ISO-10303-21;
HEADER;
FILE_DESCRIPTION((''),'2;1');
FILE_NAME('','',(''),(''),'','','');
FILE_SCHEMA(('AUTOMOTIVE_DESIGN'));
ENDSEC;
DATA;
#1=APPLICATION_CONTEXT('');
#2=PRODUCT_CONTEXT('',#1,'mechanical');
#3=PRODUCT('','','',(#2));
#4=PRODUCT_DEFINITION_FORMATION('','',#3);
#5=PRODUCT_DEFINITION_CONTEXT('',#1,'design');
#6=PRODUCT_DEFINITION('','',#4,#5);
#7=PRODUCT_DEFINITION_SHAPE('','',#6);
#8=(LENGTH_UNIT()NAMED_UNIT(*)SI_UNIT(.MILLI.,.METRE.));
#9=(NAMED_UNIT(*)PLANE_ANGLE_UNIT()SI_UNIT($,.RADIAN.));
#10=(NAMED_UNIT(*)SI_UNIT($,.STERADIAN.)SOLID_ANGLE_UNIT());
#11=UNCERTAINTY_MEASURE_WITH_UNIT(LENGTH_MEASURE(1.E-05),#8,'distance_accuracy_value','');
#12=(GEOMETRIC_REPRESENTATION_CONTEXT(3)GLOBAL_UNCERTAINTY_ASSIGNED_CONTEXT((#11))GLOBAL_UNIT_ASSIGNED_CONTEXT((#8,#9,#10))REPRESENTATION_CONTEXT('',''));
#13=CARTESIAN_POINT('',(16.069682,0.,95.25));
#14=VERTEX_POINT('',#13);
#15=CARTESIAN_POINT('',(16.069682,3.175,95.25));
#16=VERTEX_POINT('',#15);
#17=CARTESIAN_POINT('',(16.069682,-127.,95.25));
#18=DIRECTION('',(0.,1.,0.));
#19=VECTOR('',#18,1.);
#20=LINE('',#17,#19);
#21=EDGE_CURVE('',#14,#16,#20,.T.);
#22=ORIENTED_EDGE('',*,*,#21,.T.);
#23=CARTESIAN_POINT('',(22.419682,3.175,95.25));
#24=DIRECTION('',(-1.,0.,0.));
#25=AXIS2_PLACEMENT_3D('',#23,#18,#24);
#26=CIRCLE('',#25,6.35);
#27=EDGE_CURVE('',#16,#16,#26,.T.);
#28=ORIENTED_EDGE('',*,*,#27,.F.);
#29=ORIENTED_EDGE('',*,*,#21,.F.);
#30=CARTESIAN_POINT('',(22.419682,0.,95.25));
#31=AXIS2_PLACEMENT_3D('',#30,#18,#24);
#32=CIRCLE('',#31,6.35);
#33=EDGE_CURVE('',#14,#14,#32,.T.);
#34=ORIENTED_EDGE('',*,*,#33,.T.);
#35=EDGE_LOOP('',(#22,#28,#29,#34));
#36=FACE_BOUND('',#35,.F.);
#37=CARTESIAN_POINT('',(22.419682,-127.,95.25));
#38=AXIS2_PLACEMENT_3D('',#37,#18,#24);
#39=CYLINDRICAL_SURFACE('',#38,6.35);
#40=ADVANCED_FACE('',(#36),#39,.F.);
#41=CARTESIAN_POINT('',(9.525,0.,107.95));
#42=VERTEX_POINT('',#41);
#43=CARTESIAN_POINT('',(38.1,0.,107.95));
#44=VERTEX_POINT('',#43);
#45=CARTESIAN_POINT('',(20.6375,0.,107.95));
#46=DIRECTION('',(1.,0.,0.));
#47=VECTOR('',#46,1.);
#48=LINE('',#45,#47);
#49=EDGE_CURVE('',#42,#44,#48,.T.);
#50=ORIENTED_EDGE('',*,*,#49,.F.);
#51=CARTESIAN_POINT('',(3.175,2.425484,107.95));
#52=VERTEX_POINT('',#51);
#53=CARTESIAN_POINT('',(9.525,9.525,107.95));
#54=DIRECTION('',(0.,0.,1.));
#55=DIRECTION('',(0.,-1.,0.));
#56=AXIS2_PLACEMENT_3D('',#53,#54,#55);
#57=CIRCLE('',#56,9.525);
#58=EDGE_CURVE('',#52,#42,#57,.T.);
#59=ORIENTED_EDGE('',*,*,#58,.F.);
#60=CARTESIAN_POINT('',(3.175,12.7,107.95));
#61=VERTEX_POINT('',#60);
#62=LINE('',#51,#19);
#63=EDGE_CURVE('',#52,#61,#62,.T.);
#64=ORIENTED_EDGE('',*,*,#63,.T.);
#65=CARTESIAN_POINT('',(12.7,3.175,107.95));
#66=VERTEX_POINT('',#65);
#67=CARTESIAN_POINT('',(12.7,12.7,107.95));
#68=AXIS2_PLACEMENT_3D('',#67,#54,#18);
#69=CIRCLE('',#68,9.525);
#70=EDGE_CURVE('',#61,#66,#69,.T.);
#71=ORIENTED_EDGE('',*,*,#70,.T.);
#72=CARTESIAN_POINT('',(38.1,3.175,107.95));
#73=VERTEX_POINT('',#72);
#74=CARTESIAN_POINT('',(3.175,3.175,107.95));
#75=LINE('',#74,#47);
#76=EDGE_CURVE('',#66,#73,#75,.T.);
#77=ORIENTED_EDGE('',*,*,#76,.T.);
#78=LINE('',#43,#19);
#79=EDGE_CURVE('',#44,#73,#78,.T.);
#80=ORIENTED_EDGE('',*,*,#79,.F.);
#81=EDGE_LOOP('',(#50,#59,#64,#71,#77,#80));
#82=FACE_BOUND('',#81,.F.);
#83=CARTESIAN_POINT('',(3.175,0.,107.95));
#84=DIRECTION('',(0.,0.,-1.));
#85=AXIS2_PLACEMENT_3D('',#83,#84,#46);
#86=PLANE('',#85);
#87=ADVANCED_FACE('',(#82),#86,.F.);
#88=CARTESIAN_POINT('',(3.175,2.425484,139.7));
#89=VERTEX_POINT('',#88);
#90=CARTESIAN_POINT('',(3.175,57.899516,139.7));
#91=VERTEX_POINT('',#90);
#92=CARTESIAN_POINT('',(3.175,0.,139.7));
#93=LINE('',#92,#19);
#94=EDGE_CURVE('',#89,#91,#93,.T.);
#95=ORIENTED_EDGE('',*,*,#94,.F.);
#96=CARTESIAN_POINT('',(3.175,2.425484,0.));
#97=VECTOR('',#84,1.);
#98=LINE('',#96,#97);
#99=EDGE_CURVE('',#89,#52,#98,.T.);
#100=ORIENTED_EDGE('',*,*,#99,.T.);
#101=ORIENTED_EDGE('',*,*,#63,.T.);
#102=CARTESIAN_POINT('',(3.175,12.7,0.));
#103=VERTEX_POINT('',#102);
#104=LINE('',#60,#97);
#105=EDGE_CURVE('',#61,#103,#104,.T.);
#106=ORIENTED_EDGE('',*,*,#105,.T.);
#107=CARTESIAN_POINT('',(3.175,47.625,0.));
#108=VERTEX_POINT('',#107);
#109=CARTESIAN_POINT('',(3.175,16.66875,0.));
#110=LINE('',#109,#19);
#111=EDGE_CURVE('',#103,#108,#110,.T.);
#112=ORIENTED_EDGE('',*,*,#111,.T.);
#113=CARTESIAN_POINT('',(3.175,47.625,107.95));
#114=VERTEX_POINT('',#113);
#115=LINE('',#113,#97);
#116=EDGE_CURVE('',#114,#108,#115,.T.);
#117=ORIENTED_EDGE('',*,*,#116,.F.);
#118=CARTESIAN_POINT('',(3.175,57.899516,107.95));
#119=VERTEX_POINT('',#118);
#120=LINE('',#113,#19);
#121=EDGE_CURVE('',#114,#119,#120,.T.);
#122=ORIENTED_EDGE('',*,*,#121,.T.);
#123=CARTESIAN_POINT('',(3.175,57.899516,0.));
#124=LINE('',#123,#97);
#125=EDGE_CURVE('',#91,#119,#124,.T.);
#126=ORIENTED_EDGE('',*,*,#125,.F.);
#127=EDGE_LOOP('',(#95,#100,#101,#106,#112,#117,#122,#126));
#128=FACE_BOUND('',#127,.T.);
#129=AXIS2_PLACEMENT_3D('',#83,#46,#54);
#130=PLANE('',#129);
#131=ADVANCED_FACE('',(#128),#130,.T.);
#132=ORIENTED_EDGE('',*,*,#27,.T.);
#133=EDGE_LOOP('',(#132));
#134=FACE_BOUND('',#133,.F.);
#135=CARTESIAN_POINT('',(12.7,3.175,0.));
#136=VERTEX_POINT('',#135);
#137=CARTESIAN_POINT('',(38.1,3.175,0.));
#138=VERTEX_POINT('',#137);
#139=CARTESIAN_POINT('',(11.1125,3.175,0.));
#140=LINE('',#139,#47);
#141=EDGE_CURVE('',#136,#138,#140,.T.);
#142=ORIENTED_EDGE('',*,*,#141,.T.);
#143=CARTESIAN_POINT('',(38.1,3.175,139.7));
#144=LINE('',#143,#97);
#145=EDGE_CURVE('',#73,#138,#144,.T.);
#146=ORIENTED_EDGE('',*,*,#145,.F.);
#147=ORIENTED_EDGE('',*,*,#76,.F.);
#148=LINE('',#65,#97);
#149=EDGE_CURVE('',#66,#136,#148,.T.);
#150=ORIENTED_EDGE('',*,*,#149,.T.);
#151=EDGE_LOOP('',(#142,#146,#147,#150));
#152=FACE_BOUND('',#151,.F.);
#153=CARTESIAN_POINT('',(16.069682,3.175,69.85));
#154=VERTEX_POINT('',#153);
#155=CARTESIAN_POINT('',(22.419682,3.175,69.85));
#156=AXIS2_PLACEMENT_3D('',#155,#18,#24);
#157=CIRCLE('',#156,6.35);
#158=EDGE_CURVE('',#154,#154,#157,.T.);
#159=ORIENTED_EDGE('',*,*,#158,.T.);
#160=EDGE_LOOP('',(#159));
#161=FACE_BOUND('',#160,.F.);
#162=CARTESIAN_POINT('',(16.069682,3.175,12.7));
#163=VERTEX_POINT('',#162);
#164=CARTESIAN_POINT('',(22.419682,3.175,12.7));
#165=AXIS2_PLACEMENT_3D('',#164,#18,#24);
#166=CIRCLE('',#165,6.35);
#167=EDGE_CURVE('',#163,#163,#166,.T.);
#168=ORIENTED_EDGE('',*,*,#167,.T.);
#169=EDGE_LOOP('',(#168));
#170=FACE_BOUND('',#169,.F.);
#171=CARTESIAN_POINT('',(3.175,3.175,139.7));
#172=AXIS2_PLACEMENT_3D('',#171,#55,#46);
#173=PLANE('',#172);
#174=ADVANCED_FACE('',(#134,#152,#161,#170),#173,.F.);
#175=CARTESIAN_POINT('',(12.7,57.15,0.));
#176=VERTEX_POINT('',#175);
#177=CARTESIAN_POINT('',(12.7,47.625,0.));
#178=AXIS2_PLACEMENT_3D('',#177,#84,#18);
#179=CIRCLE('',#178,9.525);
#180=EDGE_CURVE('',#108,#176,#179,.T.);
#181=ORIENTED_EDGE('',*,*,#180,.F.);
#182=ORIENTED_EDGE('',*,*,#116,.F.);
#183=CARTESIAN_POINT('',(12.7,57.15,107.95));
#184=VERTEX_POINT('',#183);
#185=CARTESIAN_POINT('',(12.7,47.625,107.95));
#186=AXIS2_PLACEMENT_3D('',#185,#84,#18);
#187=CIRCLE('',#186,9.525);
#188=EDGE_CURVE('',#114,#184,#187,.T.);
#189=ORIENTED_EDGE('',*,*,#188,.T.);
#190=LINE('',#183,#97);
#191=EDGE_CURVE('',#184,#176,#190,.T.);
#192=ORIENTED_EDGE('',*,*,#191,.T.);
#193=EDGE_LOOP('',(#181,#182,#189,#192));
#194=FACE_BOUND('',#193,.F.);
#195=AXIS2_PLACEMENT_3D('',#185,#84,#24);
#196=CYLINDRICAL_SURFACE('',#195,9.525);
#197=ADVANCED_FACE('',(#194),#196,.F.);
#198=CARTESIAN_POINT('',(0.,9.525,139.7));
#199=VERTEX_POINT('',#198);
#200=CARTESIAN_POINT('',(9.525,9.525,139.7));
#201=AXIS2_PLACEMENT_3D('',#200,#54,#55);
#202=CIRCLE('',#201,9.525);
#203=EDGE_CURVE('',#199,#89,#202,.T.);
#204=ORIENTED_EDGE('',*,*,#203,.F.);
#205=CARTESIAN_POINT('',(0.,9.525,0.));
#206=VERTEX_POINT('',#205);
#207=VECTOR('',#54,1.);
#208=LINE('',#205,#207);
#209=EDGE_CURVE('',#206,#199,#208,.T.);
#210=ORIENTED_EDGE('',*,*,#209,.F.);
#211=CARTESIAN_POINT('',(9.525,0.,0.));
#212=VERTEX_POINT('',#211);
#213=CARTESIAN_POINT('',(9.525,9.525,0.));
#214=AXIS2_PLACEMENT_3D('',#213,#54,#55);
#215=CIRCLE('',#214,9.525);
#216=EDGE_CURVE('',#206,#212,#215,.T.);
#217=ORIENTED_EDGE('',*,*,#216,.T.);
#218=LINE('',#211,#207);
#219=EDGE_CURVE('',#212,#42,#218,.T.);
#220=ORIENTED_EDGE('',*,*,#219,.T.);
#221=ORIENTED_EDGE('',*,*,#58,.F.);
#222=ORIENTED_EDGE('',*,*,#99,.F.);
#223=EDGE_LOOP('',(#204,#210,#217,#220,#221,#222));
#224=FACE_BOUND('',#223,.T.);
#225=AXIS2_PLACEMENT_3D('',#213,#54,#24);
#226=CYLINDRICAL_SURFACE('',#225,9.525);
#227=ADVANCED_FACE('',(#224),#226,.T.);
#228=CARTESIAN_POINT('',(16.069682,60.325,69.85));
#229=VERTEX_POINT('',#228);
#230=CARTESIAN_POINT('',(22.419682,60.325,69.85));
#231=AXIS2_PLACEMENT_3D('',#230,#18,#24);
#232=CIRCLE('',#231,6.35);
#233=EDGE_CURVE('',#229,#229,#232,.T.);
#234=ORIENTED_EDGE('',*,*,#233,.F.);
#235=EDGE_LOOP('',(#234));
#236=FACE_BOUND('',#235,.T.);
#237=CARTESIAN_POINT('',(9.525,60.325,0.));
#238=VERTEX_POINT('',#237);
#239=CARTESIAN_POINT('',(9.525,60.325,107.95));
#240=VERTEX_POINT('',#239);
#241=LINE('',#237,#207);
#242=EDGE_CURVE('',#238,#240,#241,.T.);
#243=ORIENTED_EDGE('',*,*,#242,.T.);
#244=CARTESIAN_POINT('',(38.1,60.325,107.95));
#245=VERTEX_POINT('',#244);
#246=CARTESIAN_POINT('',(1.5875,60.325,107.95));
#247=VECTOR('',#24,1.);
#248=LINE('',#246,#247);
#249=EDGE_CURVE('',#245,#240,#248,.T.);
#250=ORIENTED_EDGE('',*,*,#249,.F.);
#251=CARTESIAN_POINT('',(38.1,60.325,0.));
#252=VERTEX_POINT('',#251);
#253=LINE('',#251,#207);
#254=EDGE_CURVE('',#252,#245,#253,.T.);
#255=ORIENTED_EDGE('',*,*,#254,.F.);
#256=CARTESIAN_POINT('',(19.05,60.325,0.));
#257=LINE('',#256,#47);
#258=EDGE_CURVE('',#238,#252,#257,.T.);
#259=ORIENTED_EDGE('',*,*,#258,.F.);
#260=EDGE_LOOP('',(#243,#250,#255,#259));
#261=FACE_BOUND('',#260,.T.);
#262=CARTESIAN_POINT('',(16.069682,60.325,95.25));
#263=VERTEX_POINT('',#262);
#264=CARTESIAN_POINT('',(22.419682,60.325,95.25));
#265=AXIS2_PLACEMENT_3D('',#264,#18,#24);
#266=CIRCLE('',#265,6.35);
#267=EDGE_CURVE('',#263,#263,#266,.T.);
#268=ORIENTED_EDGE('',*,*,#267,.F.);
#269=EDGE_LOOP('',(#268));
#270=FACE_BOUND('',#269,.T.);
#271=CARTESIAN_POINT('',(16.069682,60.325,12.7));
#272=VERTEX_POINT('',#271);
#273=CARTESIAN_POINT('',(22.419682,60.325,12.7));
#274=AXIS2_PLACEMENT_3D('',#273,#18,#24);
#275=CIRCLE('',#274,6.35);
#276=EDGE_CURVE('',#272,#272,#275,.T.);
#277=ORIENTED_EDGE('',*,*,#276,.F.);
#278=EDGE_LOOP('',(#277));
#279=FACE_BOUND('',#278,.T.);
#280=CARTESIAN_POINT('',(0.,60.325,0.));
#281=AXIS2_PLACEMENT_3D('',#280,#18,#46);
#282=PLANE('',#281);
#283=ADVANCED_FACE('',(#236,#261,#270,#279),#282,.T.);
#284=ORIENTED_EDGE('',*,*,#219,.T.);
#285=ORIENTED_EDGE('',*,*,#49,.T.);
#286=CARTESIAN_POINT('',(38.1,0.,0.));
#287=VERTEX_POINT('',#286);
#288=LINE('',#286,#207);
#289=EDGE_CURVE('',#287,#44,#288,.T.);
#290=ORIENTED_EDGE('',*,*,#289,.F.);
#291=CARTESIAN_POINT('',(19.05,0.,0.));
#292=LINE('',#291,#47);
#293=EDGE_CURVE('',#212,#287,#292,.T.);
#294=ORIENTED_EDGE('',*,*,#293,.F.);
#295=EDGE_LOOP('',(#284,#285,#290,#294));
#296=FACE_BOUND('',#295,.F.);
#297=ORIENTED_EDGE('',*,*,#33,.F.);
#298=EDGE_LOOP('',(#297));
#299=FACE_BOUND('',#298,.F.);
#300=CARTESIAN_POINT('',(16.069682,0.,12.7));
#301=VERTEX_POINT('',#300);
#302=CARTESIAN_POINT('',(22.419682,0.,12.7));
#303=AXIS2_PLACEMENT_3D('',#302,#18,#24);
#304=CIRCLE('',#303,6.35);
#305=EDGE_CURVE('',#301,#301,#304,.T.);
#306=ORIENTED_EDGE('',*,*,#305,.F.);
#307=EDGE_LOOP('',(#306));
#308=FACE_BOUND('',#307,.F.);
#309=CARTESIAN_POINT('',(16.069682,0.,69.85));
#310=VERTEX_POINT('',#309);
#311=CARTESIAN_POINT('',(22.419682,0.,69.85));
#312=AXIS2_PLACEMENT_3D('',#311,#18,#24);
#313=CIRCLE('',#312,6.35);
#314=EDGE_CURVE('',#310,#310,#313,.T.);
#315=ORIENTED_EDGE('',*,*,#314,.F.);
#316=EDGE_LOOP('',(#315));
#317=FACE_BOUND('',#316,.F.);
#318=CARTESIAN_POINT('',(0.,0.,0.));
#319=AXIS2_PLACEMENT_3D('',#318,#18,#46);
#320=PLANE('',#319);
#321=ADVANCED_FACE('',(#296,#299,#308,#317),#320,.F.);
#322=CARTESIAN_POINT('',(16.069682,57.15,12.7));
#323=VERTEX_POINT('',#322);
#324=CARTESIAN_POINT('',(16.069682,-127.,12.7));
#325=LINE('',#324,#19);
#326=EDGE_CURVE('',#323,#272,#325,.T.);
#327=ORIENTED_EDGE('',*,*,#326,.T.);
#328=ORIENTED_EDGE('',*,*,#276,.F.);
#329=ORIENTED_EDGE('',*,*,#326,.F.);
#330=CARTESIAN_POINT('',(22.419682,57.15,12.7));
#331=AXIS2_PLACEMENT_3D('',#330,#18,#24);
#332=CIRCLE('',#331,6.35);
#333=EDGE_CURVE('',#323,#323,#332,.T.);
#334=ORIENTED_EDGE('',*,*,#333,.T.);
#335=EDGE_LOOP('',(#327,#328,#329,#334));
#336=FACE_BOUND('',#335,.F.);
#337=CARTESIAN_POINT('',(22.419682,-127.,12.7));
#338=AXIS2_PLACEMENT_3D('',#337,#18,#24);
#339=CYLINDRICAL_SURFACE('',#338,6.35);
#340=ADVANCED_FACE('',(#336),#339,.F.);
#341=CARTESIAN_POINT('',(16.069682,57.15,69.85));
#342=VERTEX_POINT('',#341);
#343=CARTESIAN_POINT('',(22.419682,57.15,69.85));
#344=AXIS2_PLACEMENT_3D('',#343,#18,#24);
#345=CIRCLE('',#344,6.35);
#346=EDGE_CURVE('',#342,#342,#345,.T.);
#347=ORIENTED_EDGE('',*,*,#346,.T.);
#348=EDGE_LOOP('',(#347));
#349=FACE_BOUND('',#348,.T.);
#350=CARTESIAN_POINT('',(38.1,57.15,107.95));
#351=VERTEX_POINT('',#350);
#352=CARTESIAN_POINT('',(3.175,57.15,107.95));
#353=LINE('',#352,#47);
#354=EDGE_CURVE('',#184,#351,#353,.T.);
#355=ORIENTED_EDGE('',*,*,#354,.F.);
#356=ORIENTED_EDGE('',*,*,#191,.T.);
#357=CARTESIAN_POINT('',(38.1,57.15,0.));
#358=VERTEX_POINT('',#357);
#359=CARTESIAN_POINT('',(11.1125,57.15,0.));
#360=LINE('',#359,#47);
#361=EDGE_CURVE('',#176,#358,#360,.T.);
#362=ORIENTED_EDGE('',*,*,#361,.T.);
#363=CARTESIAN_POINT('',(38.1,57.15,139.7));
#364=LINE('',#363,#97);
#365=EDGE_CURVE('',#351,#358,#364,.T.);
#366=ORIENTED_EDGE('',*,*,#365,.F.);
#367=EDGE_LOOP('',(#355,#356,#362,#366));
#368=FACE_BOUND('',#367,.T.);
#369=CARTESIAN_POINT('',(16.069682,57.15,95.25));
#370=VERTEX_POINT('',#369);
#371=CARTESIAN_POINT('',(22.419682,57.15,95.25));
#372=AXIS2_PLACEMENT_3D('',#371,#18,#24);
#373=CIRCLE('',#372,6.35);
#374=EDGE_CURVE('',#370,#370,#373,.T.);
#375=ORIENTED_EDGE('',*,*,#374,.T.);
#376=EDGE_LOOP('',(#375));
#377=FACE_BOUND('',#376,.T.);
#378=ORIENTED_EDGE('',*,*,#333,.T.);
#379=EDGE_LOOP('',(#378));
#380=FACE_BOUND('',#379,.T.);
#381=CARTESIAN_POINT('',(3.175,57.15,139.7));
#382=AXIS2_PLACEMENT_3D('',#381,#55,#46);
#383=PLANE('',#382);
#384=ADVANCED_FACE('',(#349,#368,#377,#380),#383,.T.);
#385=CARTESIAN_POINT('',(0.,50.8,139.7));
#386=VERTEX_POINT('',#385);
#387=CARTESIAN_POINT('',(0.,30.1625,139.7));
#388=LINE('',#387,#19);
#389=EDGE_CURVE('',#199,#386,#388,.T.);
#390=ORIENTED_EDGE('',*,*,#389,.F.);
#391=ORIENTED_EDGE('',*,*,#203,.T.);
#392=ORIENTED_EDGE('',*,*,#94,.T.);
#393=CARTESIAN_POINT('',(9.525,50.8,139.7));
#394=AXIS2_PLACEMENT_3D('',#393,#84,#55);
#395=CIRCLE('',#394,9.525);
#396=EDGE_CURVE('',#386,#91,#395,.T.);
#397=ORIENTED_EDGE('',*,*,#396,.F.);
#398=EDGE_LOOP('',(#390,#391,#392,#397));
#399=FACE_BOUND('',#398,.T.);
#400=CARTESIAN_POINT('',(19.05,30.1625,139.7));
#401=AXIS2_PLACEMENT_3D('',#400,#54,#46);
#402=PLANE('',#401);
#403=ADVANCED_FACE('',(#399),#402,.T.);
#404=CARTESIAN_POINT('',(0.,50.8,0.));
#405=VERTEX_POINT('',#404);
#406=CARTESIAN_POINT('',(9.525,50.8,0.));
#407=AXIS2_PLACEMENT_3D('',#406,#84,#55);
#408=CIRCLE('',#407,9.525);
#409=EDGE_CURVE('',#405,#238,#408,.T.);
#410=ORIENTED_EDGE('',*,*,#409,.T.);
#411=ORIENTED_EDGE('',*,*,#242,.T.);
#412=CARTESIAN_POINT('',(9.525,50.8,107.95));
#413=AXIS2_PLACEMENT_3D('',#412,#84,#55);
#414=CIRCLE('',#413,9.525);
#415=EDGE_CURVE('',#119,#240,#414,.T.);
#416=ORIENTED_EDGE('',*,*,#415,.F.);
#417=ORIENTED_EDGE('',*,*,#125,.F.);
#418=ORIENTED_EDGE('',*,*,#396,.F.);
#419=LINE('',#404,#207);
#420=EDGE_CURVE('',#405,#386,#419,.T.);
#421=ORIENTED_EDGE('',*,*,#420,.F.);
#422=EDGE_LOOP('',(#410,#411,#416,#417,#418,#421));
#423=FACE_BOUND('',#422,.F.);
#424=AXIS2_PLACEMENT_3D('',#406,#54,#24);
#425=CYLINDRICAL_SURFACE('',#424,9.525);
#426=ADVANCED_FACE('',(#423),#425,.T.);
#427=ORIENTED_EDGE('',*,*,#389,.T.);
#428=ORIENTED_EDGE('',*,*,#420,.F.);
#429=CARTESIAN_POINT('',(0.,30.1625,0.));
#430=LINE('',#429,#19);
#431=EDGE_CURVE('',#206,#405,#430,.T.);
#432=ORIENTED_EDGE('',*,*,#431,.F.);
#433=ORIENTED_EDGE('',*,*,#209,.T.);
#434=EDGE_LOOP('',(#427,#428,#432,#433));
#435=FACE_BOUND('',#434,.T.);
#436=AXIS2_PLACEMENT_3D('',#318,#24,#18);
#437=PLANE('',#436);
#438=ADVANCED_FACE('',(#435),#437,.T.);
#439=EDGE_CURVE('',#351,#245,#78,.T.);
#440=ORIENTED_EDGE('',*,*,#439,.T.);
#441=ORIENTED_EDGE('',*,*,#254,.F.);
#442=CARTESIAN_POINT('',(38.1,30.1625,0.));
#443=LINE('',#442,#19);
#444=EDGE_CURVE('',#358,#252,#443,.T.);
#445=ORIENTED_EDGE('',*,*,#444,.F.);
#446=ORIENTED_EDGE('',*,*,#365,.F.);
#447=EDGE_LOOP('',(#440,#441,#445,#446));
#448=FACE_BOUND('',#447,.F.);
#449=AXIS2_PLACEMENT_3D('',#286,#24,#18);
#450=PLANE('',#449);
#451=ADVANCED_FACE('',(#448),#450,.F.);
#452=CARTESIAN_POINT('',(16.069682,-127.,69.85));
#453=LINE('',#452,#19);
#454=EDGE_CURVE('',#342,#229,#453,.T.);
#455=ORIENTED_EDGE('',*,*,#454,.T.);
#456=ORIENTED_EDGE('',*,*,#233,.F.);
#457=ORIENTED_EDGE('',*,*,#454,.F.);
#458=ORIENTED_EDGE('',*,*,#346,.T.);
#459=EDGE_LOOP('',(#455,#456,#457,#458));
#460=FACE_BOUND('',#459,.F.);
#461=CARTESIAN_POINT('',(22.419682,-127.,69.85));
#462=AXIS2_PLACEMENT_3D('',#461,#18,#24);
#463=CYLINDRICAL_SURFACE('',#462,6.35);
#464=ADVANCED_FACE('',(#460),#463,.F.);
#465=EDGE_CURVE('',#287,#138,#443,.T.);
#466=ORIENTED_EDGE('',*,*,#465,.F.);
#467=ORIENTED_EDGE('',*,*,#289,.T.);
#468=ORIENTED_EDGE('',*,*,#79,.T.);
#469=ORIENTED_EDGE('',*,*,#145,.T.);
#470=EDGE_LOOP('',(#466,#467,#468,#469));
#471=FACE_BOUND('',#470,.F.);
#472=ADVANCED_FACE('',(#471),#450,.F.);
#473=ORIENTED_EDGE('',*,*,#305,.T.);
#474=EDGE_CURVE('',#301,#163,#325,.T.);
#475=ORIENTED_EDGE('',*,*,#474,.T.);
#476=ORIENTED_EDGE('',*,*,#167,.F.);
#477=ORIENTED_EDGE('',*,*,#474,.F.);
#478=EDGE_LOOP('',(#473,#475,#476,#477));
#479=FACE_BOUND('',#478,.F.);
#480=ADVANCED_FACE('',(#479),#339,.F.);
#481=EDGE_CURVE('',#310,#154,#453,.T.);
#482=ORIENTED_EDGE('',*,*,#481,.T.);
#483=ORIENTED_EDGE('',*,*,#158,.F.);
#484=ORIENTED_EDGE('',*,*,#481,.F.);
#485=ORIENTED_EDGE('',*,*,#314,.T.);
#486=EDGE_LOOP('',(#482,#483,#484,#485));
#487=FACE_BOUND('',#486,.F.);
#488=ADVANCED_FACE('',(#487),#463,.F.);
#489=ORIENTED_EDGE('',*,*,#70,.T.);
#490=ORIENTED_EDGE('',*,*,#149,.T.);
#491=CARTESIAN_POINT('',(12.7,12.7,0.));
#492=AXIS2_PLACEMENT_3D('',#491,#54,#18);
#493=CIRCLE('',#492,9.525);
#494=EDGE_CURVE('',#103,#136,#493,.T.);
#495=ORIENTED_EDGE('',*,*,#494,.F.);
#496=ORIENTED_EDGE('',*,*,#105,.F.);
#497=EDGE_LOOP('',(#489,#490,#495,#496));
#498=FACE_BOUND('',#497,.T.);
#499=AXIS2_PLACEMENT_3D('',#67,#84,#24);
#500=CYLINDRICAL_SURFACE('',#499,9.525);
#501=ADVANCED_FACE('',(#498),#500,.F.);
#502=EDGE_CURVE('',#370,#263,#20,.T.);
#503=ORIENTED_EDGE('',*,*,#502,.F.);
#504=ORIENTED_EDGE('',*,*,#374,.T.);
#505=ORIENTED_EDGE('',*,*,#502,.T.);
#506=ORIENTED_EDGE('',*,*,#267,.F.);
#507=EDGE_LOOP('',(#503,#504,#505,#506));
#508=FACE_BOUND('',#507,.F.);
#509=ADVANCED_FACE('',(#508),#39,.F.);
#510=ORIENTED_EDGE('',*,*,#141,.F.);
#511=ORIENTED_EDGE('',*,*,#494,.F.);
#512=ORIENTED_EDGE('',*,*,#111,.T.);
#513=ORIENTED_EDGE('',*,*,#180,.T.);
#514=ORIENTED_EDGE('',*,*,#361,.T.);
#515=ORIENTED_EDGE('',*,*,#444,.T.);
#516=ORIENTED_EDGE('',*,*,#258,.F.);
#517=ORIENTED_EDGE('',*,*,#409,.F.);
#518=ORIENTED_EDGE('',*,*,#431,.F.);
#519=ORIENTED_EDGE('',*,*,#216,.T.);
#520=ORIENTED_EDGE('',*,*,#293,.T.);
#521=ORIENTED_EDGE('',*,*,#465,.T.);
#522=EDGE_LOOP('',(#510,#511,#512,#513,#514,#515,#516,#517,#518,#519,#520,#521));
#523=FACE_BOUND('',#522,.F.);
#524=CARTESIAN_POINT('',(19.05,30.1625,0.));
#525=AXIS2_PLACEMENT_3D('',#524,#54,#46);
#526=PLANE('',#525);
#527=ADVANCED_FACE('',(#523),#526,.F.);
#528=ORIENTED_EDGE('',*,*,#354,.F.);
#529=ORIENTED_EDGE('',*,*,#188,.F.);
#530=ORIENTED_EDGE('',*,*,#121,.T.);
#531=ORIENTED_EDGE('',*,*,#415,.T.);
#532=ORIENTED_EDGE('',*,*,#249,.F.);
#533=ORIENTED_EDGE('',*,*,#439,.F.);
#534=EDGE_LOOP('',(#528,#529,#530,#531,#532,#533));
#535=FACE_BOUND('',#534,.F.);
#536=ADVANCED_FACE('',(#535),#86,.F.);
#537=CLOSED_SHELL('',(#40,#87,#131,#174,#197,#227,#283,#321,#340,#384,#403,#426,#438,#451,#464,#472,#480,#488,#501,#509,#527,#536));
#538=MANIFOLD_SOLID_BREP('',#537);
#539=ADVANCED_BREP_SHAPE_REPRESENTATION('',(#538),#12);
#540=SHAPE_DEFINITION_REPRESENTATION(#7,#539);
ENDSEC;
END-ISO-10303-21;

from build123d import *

# Parameters (mm, degrees)
F0_W      = 38.1
F0_H      = 60.325
F1_DEPTH  = 139.7
F2_W      = 34.925
F2_H      = 53.975
F3_DEPTH  = 762
F4_W      = 34.925
F4_H      = 31.75
F5_DEPTH  = 85.344
F6_R      = 9.525
F8_D      = 12.7
F8_DEPTH  = 127
F10_D     = 12.7
F10_DEPTH = 127


with BuildPart() as f1:
    # F0 (on Top) → F1 (new body)
    with BuildSketch(Plane.XY):
        with Locations((19.05, 30.1625)):
            Rectangle(F0_W, F0_H)
    extrude(amount=F1_DEPTH)

    # F2 (on face) → F3 (cut)
    with BuildSketch(Plane.XY.offset(139.7)):
        with Locations((20.6375, 30.1625)):
            Rectangle(F2_W, F2_H)
    extrude(amount=-F3_DEPTH, mode=Mode.SUBTRACT)

    # F4 (on face) → F5 (cut)
    with BuildSketch(Plane.XZ):
        with Locations((20.6375, 123.825)):
            Rectangle(F4_W, F4_H)
    extrude(amount=-F5_DEPTH, mode=Mode.SUBTRACT)

    # F6
    f6_edges = [f1.edges().sort_by_distance(p)[0] for p in [
        (3.175, 57.15, 53.975),
        (3.175, 3.175, 53.975),
        (0, 0, 69.85),
        (0, 60.325, 69.85),
    ]]
    fillet(f6_edges, radius=F6_R)

    # F8
    with Locations(Plane.XZ):
        with Locations((22.419682, 95.25), (22.419682, 12.7)):
            Hole(F8_D / 2, depth=F8_DEPTH)

    # F10
    with Locations(Plane.XZ):
        with Locations((22.419682, 69.85)):
            Hole(F10_D / 2, depth=F10_DEPTH)


solid = f1.part
